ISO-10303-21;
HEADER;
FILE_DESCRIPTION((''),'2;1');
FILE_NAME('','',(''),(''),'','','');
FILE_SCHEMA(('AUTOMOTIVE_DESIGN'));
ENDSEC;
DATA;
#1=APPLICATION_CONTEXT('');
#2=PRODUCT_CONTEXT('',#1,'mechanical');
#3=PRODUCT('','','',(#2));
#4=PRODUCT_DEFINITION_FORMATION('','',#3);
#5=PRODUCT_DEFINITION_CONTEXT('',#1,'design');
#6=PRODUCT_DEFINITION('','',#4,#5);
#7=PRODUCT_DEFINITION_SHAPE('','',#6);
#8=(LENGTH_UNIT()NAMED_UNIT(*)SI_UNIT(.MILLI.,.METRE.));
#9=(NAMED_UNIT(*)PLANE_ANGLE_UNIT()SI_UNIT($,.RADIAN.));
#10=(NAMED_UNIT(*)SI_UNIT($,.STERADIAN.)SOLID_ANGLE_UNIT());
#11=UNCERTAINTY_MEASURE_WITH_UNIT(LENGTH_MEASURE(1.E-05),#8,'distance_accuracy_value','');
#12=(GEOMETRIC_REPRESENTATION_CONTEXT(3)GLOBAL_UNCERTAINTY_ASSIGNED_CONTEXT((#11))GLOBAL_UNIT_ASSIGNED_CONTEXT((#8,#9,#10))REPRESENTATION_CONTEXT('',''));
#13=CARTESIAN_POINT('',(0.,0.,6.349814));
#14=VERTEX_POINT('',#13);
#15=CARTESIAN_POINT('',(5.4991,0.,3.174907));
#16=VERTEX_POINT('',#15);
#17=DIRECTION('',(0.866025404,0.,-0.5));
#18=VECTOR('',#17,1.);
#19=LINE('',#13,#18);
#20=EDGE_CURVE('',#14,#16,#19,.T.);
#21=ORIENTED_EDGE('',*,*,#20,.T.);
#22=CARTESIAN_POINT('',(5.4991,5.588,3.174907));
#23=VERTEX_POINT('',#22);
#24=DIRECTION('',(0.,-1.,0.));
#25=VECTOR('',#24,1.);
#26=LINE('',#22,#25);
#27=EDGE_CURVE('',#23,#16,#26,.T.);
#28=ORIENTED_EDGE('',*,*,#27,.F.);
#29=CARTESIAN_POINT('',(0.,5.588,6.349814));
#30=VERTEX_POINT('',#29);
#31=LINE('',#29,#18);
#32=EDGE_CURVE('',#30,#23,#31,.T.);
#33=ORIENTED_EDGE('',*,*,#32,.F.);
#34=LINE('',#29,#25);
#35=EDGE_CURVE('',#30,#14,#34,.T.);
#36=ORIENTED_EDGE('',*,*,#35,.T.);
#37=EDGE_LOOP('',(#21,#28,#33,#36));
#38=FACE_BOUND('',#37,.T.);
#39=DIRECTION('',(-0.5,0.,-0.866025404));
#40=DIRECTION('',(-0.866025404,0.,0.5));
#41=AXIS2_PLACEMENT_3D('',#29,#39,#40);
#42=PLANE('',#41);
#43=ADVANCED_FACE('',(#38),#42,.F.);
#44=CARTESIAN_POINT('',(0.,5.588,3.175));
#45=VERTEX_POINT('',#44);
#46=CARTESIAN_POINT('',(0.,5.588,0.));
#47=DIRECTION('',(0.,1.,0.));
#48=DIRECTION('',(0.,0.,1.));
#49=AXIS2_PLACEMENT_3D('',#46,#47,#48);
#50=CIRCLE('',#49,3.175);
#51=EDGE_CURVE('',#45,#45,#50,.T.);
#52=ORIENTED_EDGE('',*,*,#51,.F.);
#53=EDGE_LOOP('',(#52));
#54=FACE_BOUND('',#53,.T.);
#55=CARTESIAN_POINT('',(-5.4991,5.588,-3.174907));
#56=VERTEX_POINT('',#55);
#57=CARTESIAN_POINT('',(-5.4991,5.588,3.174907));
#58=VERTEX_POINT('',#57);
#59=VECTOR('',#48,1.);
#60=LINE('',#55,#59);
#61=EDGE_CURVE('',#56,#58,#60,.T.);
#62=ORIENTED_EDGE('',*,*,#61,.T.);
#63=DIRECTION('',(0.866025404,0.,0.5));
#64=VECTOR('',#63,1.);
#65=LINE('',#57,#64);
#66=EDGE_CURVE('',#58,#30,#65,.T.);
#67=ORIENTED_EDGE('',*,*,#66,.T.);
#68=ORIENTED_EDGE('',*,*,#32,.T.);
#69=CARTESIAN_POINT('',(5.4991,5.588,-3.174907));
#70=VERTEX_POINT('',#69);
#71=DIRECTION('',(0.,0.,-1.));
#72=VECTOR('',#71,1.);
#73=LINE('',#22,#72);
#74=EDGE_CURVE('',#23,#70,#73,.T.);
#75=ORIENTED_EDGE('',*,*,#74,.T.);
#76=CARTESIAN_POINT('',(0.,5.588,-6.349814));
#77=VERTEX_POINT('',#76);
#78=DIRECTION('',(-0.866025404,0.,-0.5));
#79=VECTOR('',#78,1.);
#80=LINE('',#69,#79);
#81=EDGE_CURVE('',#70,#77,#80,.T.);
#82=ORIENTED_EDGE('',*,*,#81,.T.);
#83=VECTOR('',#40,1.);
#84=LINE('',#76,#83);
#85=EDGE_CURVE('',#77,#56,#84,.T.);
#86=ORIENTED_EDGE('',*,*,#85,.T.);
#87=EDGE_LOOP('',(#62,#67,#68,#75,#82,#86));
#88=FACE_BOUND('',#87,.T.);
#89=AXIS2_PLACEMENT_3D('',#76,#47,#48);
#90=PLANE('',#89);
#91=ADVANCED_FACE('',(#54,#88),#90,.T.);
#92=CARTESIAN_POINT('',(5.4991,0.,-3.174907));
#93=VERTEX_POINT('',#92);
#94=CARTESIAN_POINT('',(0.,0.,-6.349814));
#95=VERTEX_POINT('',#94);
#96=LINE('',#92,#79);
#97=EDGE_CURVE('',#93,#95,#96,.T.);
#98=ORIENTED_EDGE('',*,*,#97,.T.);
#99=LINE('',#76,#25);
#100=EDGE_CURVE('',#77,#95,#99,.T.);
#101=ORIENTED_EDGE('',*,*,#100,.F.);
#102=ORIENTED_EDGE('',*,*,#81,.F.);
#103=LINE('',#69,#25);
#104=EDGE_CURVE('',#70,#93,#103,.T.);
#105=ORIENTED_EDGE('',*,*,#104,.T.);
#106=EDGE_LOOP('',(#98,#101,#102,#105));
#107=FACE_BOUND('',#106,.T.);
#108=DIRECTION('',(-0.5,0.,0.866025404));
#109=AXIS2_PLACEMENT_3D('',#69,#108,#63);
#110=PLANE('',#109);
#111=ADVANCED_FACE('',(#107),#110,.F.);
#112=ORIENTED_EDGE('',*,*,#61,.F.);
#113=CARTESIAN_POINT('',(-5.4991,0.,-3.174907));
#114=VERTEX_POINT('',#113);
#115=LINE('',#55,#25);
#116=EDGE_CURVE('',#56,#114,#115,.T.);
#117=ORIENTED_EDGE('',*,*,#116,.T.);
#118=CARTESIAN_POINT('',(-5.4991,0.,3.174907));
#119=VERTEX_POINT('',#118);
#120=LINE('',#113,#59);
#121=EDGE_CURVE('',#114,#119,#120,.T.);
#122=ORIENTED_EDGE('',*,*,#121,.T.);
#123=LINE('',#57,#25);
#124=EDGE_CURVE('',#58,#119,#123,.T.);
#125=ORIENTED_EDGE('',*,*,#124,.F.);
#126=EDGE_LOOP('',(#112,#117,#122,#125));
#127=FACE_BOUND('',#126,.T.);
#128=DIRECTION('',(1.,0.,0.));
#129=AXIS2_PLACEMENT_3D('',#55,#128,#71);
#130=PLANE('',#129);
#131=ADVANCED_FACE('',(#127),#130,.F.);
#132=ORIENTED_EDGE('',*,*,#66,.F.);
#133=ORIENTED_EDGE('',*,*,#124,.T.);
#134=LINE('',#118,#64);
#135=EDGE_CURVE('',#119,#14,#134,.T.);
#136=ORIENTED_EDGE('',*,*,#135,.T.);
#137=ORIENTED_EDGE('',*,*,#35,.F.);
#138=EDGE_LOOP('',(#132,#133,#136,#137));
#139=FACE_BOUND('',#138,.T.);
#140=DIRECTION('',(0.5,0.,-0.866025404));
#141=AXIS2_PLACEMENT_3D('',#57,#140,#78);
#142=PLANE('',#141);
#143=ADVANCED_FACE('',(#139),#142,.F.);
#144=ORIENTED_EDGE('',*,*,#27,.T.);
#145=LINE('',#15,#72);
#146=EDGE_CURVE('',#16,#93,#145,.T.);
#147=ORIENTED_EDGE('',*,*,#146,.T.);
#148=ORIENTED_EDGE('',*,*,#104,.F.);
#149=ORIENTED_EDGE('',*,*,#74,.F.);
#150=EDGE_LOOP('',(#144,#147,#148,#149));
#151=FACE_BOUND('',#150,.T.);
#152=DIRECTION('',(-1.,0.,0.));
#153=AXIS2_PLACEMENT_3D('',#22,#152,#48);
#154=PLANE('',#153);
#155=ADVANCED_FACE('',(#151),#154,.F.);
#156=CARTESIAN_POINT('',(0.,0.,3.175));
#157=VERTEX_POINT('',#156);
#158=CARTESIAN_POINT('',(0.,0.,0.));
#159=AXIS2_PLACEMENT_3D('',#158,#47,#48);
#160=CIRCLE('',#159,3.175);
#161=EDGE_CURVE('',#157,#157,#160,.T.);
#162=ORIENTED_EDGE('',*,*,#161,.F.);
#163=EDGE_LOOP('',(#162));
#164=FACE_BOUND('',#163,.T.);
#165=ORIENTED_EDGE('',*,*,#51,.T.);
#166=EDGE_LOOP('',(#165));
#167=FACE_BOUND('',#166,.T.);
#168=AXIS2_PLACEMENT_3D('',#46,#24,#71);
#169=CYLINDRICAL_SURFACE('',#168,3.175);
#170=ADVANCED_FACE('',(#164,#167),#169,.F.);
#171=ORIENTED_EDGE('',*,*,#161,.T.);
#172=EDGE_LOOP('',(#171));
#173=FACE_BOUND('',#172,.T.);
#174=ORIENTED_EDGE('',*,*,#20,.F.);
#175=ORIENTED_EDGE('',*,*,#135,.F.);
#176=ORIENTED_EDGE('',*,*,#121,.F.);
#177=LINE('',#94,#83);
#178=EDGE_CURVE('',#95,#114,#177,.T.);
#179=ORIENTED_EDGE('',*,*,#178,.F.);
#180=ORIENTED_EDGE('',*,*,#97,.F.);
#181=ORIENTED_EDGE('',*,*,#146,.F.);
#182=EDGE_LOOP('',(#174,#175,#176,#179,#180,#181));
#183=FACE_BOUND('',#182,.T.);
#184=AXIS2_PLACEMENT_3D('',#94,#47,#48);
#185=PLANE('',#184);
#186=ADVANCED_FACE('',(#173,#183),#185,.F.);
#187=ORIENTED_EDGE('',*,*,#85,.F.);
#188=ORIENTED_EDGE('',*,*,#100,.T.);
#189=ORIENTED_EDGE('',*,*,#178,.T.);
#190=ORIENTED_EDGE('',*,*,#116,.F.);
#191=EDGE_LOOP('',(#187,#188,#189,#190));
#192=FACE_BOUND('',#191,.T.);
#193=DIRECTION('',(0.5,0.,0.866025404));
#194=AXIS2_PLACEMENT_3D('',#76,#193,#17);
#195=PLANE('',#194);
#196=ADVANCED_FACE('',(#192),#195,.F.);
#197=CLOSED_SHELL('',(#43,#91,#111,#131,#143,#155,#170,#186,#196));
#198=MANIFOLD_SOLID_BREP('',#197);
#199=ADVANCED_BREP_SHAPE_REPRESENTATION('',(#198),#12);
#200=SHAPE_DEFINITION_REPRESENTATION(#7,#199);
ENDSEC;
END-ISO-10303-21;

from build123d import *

# Parameters (mm, degrees)
SKETCH1_R           = 3.175
BOSS_EXTRUDE1_DEPTH = 5.588


with BuildPart() as part:
    # Sketch1 → Boss-Extrude1 (new body)
    with BuildSketch(Plane(origin=(0, 0, 0), x_dir=(1, 0, 0), z_dir=(0, 1, 0))):
        Polygon((0, 6.349813731), (-5.4991, 3.174906865), (-5.4991, -3.174906865), (0, -6.349813731), (5.4991, -3.174906865), (5.4991, 3.174906865), align=None)
        Circle(SKETCH1_R, mode=Mode.SUBTRACT)
    extrude(amount=BOSS_EXTRUDE1_DEPTH)


solid = part.part
